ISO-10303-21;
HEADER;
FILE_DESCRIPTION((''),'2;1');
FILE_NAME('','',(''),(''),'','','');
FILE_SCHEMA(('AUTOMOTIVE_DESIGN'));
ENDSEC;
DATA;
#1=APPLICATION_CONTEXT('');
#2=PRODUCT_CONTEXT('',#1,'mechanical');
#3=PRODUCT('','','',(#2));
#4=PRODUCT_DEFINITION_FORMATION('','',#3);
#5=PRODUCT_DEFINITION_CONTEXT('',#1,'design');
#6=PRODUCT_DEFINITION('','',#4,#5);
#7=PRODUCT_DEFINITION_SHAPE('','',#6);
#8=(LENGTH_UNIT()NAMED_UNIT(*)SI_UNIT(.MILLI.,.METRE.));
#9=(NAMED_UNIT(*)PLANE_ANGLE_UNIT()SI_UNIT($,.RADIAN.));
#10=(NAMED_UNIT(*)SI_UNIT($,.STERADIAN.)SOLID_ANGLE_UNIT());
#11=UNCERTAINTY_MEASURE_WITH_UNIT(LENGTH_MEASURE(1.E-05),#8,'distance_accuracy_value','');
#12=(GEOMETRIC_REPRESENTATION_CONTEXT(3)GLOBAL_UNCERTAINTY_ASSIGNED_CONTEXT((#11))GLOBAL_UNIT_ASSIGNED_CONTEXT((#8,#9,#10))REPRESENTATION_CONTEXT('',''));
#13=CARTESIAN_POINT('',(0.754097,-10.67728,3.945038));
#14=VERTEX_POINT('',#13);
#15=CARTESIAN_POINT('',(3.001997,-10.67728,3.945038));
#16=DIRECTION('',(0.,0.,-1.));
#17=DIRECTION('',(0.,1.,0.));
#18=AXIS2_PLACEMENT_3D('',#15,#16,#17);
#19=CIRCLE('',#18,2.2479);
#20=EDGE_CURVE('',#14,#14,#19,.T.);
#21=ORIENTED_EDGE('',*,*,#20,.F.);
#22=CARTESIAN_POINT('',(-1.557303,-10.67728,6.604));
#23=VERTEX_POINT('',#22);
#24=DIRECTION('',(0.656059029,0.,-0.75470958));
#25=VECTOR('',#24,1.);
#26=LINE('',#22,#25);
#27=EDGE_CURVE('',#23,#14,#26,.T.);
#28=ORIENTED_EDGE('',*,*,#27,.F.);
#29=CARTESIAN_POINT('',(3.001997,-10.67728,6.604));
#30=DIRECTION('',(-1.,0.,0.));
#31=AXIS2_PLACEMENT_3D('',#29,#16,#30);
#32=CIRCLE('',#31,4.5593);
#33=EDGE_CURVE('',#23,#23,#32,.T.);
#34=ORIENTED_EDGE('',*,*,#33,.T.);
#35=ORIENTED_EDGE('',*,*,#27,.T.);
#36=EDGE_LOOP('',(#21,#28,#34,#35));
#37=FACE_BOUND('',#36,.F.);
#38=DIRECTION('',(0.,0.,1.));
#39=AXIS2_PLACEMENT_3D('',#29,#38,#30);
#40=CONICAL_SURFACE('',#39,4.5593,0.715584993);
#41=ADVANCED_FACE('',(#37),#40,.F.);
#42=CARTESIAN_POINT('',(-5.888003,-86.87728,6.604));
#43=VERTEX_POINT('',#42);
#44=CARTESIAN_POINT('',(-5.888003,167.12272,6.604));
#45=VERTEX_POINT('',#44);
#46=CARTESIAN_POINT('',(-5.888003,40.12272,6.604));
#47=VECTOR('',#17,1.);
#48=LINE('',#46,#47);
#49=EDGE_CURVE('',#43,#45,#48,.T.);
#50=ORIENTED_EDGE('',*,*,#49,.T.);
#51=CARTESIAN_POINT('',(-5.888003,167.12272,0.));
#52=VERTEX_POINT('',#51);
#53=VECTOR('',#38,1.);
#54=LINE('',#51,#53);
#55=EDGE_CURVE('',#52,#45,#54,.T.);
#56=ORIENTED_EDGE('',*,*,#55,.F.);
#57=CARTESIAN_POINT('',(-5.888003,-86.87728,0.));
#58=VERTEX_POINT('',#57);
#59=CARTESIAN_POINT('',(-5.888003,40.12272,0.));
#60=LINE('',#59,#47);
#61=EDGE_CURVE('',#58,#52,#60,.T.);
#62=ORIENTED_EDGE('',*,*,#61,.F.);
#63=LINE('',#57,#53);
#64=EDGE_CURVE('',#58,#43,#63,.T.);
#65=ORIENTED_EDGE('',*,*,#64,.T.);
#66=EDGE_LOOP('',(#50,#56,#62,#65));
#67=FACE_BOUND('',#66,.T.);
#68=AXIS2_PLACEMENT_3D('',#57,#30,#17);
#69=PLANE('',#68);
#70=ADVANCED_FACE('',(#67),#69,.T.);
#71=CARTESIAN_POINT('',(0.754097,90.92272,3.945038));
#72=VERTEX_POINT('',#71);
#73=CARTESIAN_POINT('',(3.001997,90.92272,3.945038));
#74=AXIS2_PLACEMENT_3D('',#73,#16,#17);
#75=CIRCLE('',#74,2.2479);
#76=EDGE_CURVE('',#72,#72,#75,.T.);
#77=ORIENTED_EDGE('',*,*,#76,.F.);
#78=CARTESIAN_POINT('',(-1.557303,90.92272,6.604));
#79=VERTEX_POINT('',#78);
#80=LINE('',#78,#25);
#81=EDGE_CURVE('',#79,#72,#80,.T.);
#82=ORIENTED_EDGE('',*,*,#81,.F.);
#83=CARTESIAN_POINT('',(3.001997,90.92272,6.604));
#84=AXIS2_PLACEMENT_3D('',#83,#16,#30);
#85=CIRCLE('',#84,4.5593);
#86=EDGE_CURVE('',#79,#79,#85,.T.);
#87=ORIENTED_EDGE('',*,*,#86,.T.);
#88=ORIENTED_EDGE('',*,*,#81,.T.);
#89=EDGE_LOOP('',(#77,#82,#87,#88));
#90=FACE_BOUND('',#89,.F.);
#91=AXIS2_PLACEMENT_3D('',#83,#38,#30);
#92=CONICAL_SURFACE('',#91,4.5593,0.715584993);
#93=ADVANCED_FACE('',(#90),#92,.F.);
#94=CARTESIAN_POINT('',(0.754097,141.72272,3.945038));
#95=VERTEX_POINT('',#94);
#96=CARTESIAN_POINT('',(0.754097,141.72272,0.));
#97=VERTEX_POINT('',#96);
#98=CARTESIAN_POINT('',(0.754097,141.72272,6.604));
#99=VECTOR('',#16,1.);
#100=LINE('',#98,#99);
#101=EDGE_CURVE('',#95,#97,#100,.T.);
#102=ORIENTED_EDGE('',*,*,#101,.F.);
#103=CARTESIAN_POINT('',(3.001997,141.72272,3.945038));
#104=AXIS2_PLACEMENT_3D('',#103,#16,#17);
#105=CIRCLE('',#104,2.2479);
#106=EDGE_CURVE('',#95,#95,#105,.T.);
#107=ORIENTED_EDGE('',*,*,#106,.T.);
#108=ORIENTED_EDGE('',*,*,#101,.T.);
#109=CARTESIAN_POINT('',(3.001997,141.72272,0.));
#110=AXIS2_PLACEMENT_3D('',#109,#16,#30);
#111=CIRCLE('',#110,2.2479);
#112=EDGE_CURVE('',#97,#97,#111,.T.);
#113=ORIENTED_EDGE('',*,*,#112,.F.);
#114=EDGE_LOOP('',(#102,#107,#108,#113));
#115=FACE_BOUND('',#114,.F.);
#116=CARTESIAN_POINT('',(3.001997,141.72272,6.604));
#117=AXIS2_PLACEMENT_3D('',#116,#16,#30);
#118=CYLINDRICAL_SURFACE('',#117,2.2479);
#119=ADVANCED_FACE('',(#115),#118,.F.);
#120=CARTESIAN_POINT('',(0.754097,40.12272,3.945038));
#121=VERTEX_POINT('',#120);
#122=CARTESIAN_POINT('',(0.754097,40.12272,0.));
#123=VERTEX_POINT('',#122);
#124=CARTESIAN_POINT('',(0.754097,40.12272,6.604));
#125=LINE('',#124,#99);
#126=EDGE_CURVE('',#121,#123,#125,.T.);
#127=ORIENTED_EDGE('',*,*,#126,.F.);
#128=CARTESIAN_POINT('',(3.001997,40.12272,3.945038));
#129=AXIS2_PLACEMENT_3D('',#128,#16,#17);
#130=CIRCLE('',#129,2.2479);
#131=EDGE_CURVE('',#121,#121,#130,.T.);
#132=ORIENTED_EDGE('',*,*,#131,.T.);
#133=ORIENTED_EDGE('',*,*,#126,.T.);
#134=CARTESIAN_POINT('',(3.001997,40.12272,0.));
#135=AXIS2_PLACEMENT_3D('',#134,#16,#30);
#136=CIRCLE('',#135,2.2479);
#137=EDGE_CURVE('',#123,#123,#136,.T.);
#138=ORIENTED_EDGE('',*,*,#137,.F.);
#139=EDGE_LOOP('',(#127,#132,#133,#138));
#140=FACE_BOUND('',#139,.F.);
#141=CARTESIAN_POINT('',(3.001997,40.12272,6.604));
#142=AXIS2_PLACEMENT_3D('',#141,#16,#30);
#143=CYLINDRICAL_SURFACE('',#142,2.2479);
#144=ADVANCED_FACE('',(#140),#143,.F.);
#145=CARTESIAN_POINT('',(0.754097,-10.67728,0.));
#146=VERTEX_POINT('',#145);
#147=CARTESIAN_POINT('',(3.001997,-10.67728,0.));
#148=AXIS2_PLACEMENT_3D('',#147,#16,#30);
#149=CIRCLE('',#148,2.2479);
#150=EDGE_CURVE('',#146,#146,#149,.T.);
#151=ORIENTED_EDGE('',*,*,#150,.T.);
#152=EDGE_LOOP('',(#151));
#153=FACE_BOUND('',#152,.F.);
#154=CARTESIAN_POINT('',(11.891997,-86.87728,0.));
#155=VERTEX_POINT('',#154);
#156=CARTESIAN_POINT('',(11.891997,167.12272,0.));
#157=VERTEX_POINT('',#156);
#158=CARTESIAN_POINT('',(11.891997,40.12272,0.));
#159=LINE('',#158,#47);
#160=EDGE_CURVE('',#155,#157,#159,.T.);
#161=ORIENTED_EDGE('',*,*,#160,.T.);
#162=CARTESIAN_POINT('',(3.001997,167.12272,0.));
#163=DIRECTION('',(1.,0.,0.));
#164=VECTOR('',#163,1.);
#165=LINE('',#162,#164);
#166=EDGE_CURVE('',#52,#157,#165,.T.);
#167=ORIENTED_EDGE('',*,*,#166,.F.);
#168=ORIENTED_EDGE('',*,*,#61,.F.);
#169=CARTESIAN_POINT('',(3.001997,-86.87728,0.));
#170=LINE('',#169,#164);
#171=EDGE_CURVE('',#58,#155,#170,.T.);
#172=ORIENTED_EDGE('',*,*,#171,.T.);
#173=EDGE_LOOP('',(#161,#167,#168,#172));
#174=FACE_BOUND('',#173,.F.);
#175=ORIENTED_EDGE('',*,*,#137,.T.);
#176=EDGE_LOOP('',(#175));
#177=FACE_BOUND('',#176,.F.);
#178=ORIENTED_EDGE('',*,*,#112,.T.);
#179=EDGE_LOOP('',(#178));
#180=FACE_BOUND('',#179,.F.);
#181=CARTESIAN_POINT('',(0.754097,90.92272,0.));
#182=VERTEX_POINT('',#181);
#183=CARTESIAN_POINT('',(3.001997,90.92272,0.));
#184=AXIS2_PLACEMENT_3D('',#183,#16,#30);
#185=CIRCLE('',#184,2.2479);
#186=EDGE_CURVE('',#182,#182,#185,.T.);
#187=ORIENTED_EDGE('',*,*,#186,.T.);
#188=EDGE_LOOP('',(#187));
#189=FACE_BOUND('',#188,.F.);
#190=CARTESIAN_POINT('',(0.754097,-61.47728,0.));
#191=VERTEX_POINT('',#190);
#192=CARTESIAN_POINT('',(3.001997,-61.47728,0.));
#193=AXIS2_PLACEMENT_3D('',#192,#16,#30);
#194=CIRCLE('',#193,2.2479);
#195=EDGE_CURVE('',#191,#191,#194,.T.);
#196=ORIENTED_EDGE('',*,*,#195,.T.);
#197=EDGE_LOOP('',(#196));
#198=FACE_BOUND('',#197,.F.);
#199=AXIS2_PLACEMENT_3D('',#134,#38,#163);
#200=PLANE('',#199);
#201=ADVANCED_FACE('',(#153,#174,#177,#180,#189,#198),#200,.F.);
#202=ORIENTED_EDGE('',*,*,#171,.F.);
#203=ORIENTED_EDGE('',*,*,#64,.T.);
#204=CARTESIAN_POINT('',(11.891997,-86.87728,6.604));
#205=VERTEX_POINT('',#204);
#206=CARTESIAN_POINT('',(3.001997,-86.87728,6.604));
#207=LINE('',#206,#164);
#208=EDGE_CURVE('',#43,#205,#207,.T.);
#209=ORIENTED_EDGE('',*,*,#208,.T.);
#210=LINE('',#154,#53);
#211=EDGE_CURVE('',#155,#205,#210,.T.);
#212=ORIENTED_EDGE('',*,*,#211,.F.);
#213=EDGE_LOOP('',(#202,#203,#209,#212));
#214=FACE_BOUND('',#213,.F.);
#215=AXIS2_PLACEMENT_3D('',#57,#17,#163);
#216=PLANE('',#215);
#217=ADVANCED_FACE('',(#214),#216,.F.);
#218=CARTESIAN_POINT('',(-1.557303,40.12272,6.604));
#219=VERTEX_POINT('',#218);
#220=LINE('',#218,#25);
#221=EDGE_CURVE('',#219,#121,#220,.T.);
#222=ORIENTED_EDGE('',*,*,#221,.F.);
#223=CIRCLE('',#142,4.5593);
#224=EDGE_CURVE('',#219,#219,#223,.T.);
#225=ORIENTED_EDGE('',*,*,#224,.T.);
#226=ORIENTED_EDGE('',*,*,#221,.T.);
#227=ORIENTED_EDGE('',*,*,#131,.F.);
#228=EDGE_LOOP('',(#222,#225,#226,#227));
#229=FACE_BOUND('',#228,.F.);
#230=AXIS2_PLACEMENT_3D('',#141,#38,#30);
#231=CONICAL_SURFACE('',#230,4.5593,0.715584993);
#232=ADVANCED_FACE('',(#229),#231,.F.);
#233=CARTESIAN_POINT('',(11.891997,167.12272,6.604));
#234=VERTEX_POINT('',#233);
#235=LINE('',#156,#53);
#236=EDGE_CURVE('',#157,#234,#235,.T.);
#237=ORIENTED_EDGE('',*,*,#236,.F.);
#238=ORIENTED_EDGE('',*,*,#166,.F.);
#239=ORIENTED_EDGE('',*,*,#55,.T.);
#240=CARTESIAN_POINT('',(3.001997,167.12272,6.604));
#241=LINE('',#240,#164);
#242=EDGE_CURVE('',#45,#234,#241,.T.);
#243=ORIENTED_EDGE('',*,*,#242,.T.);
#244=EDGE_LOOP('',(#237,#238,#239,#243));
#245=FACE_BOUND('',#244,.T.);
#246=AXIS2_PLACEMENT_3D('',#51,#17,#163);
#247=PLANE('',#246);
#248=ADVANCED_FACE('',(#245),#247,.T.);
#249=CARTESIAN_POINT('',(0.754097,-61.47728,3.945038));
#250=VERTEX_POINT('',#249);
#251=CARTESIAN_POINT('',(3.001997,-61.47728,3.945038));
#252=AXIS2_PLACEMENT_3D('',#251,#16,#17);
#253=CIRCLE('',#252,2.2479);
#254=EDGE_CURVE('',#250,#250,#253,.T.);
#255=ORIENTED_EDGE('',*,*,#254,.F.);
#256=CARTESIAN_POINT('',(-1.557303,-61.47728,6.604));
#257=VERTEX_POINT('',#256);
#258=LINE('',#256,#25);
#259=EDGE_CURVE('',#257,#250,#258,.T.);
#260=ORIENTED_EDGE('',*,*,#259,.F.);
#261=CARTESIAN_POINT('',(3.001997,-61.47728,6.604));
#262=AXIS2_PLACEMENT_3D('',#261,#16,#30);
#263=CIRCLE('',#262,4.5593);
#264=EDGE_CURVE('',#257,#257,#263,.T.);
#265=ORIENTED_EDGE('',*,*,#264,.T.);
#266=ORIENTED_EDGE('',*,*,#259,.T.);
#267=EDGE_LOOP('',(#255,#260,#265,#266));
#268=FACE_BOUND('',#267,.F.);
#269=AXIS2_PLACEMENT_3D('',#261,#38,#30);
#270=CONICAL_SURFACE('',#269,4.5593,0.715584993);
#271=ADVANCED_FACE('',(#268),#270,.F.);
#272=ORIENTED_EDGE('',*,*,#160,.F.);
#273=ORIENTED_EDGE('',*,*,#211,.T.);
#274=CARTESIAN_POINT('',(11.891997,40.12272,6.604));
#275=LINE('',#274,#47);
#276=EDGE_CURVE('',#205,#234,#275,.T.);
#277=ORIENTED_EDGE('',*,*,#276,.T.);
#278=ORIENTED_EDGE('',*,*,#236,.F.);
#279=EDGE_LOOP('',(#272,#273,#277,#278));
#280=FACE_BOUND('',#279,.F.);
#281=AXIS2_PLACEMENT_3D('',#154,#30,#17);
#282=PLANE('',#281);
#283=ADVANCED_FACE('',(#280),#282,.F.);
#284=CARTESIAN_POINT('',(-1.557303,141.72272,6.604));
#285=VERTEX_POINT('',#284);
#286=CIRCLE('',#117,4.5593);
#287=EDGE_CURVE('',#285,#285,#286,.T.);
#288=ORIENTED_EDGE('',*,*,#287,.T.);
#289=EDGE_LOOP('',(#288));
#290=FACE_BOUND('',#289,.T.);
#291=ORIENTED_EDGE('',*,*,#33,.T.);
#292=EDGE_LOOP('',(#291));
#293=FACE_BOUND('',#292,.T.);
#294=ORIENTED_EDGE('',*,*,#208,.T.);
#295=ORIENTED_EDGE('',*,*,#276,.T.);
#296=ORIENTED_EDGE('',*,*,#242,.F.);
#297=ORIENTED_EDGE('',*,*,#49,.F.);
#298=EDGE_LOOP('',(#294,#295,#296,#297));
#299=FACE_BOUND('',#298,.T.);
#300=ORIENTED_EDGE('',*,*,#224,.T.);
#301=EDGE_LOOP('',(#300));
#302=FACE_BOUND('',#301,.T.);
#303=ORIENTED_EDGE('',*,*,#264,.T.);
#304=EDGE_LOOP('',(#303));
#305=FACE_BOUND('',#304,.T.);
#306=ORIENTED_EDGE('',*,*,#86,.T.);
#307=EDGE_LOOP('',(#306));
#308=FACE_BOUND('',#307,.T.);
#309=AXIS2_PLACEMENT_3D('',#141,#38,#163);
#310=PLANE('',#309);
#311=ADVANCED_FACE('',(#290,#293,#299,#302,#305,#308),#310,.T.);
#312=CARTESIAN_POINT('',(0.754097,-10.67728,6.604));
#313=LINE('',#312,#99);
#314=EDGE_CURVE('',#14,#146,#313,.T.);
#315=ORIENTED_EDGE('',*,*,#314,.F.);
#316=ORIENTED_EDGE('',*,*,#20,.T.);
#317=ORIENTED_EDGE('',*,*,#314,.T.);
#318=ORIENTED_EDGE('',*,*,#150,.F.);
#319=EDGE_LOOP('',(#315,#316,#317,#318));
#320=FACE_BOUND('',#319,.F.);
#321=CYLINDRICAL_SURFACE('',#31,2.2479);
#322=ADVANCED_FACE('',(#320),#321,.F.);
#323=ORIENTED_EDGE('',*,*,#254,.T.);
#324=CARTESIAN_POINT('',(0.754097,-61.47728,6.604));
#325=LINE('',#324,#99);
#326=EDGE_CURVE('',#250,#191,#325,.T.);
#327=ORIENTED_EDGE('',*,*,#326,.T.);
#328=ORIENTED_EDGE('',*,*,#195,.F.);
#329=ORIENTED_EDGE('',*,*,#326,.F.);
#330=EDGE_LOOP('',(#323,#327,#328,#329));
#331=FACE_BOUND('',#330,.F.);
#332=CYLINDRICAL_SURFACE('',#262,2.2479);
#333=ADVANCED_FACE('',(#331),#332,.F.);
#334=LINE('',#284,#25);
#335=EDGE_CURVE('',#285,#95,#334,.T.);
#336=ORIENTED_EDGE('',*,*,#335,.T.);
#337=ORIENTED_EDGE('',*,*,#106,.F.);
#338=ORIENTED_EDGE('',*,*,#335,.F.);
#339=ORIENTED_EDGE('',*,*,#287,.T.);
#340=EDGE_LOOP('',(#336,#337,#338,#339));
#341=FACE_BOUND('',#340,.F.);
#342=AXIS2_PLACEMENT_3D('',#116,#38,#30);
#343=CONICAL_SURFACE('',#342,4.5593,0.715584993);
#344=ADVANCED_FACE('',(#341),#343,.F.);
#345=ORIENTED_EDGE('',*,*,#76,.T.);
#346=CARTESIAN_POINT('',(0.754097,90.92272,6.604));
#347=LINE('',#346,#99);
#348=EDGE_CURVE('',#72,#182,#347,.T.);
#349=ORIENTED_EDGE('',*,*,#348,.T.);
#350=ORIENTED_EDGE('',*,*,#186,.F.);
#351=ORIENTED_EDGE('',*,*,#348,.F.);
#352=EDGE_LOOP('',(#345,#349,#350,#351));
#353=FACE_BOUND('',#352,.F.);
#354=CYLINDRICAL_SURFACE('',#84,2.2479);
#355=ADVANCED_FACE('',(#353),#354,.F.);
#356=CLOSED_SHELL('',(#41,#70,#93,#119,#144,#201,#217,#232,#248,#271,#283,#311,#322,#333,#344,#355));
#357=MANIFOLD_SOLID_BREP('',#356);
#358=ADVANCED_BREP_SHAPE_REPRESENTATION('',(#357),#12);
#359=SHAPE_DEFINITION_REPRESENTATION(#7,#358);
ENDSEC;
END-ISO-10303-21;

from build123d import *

# Parameters (mm, degrees)
F0_W           = 17.78
F0_H           = 254
F1_DEPTH       = 6.604
F3_D           = 4.4958
F3_CSINK_D     = 9.1186
F3_CSINK_ANGLE = 82


with BuildPart() as f1:
    # F0 (on Top) → F1 (new body)
    with BuildSketch(Plane.XY):
        with Locations((3.0019969136, 40.122719574)):
            Rectangle(F0_W, F0_H)
    extrude(amount=F1_DEPTH)

    # F3 (through all)
    with Locations(Plane.XY.offset(6.604)):
        with Locations((3.0019969136, 141.722719574), (3.0019969136, 90.922719574), (3.0019969136, 40.122719574), (3.0019969136, -10.677280426), (3.0019969136, -61.477280426)):
            CounterSinkHole(F3_D / 2, F3_CSINK_D / 2, counter_sink_angle=F3_CSINK_ANGLE)


solid = f1.part
